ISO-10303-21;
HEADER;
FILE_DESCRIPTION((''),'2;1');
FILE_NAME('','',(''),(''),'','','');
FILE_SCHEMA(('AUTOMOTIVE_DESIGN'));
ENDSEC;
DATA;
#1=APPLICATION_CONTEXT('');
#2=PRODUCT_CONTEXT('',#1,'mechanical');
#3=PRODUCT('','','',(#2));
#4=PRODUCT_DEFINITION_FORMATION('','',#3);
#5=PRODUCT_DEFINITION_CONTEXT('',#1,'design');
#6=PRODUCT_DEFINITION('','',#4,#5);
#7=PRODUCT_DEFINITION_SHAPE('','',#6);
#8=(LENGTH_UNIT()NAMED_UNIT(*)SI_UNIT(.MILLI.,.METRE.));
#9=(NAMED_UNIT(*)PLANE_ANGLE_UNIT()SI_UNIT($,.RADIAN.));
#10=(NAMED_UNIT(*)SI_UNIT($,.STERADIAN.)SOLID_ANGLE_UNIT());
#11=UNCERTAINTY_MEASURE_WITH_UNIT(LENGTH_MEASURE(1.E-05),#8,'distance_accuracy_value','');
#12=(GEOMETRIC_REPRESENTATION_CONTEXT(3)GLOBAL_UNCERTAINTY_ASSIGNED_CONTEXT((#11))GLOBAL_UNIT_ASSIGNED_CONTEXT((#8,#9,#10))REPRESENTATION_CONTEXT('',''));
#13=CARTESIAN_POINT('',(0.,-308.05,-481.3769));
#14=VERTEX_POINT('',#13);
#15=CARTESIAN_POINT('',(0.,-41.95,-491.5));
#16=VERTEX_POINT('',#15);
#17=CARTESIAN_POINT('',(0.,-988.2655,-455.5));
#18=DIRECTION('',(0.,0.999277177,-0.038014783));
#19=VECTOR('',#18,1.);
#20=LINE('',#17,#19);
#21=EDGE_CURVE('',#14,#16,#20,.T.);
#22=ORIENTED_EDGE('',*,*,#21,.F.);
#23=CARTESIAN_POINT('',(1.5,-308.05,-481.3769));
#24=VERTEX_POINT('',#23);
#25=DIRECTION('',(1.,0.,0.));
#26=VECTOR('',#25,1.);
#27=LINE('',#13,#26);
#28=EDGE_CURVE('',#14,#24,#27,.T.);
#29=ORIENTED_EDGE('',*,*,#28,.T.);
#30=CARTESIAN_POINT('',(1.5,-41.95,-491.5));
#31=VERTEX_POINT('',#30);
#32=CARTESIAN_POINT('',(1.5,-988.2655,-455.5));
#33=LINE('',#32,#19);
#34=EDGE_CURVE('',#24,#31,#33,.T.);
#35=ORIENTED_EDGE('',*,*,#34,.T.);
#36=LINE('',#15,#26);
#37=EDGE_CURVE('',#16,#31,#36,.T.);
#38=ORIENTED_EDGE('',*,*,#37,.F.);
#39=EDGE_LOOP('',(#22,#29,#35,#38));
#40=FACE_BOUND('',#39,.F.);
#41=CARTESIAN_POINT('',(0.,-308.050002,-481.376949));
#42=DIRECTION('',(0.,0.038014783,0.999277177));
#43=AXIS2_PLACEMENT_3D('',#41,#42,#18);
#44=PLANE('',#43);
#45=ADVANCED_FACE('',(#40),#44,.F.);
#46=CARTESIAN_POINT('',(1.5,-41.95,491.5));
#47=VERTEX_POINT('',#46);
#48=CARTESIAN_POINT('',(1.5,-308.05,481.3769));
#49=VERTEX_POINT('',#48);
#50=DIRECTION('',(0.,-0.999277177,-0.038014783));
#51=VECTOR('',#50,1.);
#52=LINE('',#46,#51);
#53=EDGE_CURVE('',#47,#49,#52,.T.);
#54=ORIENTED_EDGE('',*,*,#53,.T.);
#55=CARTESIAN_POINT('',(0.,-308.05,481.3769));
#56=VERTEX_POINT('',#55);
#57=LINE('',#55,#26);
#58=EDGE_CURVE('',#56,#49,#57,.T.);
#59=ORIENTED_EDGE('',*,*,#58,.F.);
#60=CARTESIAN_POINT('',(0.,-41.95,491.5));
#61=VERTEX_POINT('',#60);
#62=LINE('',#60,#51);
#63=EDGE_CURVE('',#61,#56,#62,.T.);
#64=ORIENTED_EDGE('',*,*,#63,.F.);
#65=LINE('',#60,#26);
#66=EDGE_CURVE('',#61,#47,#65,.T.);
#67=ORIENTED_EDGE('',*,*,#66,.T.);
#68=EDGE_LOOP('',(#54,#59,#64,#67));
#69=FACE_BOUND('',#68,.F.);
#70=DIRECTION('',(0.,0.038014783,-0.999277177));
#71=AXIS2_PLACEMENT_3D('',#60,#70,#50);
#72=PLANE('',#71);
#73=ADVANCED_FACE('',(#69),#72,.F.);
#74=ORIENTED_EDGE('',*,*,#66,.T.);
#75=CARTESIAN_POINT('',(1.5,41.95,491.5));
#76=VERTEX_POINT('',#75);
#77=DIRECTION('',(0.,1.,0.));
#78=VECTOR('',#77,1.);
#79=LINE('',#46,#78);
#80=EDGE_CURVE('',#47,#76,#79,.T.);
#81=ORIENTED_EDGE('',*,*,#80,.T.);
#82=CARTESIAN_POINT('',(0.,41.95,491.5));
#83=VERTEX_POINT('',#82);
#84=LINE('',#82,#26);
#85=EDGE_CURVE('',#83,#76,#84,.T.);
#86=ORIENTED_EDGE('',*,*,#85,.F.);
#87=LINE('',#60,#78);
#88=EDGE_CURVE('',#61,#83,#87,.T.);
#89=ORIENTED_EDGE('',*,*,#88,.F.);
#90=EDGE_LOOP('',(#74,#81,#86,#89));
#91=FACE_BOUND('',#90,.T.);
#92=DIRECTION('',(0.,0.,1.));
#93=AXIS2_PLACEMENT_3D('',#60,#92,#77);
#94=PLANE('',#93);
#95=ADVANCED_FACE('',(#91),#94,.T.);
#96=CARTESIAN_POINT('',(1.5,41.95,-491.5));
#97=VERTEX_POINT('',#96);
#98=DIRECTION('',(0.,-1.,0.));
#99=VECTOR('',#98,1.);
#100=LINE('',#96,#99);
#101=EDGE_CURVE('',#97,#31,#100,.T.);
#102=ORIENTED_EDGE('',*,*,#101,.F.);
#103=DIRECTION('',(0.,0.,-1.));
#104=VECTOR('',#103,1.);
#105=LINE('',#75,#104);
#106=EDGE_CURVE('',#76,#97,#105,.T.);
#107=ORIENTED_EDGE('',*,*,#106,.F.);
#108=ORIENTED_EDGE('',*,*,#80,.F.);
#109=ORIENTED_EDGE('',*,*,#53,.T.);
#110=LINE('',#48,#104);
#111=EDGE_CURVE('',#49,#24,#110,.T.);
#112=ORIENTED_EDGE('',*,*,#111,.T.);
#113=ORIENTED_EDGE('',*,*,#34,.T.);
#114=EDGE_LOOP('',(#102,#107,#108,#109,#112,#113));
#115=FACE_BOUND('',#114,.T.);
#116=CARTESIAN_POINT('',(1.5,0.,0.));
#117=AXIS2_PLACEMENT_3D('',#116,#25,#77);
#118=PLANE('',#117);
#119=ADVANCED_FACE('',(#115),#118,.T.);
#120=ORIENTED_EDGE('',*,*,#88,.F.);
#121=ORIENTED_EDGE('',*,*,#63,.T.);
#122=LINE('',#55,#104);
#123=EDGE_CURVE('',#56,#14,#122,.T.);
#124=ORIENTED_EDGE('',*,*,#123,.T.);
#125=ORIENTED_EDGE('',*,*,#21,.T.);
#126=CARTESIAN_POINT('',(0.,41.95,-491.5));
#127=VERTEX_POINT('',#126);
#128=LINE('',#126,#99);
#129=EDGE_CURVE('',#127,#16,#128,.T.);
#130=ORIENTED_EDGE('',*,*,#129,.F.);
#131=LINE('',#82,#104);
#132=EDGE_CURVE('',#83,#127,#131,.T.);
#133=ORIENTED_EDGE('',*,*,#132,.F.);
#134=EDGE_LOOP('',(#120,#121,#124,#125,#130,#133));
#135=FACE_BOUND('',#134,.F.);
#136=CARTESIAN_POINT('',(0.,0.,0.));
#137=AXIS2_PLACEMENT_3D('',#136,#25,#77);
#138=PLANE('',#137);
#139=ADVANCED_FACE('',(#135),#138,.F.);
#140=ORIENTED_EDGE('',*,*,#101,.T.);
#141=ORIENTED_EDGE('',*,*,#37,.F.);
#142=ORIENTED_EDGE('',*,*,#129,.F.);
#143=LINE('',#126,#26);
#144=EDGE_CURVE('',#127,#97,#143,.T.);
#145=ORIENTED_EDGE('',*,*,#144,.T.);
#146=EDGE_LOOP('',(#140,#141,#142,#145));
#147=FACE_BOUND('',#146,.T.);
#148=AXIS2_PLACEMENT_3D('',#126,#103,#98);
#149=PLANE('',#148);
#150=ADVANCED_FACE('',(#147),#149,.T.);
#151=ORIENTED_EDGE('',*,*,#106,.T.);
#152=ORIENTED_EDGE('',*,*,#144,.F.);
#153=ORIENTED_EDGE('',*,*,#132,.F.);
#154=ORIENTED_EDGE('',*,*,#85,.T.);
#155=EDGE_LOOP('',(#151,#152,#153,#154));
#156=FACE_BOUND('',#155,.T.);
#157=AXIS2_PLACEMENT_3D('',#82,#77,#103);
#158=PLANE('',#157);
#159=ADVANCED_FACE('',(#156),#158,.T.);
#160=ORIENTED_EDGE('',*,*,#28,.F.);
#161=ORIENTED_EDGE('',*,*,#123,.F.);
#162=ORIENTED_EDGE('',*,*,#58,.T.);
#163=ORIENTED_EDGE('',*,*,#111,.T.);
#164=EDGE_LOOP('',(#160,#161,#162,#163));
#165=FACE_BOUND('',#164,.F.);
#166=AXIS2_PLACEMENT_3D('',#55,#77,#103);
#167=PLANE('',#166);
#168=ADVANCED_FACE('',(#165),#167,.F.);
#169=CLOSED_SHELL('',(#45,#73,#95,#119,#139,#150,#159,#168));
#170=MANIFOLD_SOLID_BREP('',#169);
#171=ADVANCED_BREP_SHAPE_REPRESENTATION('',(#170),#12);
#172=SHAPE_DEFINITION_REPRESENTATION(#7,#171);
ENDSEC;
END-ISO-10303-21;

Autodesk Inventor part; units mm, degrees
ref_plane "YZ Plane" through (0, 0, 0) normal (1, 0, 0) x (0, 1, 0)
ref_plane "XZ Plane" through (0, 0, 0) normal (0, 1, 0) x (-1, 0, 0)
ref_plane "XY Plane" through (0, 0, 0) normal (0, 0, 1) x (1, 0, 0)
sketch "Sketch1" plane through (0, 0, 0) normal (1, 0, 0) x (0, 1, 0)
  line L0 (-41.95, 491.5) -> (41.95, 491.5)
  line L1 (41.95, 491.5) -> (41.95, -491.5)
  line L2 (41.95, -491.5) -> (-41.95, -491.5)
  line L3 (-41.95, -491.5) -> (-41.95, 491.5)
  line L4 (-41.95, 491.5) -> (41.95, -491.5) construction
  line L5 (41.95, 491.5) -> (-41.95, -491.5) construction
  line L6 (-41.95, 491.5) -> (-988.2655, 455.5)
  line L7 (-988.2655, 455.5) -> (-988.2655, -455.5)
  line L8 (-988.2655, -455.5) -> (-41.95, -491.5)
  line L9 (-308.05, 481.3769) -> (-308.05, -481.3769)
  point P0 (0, 0)
  point P1 (-988.2655, 0)
  point P2 (-41.95, 0)
  dimension "d0" = 983
  dimension "d1" = 83.9
  dimension "d3" = 911
  dimension "d4" = 947
  dimension "d5" = 350
extrude "Plate1" add sketch "Sketch1" along normal blind 1.5 contours L0 L1 L2 L3 | L3 L8 L9 L6
equation "\"d6\" = Thickness"
equation "\"BendRadius\" = Thickness"
equation "\"BendReliefWidth\" = Thickness"
equation "\"BendReliefDepth\" = 0.5 * Thickness"
equation "\"CornerReliefSize\" = 4 * Thickness"
equation "\"MinimumRemnant\" = 2 * Thickness"
equation "\"TransitionRadius\" = BendRadius"
equation "\"JacobiRadiusSize\" = BendRadius"
equation "\"GapSize\" = Thickness"
equation "\"Thickness\" = 1.5"
properties part number "CHAPA_2" material "Steel, Mild, Welded"
